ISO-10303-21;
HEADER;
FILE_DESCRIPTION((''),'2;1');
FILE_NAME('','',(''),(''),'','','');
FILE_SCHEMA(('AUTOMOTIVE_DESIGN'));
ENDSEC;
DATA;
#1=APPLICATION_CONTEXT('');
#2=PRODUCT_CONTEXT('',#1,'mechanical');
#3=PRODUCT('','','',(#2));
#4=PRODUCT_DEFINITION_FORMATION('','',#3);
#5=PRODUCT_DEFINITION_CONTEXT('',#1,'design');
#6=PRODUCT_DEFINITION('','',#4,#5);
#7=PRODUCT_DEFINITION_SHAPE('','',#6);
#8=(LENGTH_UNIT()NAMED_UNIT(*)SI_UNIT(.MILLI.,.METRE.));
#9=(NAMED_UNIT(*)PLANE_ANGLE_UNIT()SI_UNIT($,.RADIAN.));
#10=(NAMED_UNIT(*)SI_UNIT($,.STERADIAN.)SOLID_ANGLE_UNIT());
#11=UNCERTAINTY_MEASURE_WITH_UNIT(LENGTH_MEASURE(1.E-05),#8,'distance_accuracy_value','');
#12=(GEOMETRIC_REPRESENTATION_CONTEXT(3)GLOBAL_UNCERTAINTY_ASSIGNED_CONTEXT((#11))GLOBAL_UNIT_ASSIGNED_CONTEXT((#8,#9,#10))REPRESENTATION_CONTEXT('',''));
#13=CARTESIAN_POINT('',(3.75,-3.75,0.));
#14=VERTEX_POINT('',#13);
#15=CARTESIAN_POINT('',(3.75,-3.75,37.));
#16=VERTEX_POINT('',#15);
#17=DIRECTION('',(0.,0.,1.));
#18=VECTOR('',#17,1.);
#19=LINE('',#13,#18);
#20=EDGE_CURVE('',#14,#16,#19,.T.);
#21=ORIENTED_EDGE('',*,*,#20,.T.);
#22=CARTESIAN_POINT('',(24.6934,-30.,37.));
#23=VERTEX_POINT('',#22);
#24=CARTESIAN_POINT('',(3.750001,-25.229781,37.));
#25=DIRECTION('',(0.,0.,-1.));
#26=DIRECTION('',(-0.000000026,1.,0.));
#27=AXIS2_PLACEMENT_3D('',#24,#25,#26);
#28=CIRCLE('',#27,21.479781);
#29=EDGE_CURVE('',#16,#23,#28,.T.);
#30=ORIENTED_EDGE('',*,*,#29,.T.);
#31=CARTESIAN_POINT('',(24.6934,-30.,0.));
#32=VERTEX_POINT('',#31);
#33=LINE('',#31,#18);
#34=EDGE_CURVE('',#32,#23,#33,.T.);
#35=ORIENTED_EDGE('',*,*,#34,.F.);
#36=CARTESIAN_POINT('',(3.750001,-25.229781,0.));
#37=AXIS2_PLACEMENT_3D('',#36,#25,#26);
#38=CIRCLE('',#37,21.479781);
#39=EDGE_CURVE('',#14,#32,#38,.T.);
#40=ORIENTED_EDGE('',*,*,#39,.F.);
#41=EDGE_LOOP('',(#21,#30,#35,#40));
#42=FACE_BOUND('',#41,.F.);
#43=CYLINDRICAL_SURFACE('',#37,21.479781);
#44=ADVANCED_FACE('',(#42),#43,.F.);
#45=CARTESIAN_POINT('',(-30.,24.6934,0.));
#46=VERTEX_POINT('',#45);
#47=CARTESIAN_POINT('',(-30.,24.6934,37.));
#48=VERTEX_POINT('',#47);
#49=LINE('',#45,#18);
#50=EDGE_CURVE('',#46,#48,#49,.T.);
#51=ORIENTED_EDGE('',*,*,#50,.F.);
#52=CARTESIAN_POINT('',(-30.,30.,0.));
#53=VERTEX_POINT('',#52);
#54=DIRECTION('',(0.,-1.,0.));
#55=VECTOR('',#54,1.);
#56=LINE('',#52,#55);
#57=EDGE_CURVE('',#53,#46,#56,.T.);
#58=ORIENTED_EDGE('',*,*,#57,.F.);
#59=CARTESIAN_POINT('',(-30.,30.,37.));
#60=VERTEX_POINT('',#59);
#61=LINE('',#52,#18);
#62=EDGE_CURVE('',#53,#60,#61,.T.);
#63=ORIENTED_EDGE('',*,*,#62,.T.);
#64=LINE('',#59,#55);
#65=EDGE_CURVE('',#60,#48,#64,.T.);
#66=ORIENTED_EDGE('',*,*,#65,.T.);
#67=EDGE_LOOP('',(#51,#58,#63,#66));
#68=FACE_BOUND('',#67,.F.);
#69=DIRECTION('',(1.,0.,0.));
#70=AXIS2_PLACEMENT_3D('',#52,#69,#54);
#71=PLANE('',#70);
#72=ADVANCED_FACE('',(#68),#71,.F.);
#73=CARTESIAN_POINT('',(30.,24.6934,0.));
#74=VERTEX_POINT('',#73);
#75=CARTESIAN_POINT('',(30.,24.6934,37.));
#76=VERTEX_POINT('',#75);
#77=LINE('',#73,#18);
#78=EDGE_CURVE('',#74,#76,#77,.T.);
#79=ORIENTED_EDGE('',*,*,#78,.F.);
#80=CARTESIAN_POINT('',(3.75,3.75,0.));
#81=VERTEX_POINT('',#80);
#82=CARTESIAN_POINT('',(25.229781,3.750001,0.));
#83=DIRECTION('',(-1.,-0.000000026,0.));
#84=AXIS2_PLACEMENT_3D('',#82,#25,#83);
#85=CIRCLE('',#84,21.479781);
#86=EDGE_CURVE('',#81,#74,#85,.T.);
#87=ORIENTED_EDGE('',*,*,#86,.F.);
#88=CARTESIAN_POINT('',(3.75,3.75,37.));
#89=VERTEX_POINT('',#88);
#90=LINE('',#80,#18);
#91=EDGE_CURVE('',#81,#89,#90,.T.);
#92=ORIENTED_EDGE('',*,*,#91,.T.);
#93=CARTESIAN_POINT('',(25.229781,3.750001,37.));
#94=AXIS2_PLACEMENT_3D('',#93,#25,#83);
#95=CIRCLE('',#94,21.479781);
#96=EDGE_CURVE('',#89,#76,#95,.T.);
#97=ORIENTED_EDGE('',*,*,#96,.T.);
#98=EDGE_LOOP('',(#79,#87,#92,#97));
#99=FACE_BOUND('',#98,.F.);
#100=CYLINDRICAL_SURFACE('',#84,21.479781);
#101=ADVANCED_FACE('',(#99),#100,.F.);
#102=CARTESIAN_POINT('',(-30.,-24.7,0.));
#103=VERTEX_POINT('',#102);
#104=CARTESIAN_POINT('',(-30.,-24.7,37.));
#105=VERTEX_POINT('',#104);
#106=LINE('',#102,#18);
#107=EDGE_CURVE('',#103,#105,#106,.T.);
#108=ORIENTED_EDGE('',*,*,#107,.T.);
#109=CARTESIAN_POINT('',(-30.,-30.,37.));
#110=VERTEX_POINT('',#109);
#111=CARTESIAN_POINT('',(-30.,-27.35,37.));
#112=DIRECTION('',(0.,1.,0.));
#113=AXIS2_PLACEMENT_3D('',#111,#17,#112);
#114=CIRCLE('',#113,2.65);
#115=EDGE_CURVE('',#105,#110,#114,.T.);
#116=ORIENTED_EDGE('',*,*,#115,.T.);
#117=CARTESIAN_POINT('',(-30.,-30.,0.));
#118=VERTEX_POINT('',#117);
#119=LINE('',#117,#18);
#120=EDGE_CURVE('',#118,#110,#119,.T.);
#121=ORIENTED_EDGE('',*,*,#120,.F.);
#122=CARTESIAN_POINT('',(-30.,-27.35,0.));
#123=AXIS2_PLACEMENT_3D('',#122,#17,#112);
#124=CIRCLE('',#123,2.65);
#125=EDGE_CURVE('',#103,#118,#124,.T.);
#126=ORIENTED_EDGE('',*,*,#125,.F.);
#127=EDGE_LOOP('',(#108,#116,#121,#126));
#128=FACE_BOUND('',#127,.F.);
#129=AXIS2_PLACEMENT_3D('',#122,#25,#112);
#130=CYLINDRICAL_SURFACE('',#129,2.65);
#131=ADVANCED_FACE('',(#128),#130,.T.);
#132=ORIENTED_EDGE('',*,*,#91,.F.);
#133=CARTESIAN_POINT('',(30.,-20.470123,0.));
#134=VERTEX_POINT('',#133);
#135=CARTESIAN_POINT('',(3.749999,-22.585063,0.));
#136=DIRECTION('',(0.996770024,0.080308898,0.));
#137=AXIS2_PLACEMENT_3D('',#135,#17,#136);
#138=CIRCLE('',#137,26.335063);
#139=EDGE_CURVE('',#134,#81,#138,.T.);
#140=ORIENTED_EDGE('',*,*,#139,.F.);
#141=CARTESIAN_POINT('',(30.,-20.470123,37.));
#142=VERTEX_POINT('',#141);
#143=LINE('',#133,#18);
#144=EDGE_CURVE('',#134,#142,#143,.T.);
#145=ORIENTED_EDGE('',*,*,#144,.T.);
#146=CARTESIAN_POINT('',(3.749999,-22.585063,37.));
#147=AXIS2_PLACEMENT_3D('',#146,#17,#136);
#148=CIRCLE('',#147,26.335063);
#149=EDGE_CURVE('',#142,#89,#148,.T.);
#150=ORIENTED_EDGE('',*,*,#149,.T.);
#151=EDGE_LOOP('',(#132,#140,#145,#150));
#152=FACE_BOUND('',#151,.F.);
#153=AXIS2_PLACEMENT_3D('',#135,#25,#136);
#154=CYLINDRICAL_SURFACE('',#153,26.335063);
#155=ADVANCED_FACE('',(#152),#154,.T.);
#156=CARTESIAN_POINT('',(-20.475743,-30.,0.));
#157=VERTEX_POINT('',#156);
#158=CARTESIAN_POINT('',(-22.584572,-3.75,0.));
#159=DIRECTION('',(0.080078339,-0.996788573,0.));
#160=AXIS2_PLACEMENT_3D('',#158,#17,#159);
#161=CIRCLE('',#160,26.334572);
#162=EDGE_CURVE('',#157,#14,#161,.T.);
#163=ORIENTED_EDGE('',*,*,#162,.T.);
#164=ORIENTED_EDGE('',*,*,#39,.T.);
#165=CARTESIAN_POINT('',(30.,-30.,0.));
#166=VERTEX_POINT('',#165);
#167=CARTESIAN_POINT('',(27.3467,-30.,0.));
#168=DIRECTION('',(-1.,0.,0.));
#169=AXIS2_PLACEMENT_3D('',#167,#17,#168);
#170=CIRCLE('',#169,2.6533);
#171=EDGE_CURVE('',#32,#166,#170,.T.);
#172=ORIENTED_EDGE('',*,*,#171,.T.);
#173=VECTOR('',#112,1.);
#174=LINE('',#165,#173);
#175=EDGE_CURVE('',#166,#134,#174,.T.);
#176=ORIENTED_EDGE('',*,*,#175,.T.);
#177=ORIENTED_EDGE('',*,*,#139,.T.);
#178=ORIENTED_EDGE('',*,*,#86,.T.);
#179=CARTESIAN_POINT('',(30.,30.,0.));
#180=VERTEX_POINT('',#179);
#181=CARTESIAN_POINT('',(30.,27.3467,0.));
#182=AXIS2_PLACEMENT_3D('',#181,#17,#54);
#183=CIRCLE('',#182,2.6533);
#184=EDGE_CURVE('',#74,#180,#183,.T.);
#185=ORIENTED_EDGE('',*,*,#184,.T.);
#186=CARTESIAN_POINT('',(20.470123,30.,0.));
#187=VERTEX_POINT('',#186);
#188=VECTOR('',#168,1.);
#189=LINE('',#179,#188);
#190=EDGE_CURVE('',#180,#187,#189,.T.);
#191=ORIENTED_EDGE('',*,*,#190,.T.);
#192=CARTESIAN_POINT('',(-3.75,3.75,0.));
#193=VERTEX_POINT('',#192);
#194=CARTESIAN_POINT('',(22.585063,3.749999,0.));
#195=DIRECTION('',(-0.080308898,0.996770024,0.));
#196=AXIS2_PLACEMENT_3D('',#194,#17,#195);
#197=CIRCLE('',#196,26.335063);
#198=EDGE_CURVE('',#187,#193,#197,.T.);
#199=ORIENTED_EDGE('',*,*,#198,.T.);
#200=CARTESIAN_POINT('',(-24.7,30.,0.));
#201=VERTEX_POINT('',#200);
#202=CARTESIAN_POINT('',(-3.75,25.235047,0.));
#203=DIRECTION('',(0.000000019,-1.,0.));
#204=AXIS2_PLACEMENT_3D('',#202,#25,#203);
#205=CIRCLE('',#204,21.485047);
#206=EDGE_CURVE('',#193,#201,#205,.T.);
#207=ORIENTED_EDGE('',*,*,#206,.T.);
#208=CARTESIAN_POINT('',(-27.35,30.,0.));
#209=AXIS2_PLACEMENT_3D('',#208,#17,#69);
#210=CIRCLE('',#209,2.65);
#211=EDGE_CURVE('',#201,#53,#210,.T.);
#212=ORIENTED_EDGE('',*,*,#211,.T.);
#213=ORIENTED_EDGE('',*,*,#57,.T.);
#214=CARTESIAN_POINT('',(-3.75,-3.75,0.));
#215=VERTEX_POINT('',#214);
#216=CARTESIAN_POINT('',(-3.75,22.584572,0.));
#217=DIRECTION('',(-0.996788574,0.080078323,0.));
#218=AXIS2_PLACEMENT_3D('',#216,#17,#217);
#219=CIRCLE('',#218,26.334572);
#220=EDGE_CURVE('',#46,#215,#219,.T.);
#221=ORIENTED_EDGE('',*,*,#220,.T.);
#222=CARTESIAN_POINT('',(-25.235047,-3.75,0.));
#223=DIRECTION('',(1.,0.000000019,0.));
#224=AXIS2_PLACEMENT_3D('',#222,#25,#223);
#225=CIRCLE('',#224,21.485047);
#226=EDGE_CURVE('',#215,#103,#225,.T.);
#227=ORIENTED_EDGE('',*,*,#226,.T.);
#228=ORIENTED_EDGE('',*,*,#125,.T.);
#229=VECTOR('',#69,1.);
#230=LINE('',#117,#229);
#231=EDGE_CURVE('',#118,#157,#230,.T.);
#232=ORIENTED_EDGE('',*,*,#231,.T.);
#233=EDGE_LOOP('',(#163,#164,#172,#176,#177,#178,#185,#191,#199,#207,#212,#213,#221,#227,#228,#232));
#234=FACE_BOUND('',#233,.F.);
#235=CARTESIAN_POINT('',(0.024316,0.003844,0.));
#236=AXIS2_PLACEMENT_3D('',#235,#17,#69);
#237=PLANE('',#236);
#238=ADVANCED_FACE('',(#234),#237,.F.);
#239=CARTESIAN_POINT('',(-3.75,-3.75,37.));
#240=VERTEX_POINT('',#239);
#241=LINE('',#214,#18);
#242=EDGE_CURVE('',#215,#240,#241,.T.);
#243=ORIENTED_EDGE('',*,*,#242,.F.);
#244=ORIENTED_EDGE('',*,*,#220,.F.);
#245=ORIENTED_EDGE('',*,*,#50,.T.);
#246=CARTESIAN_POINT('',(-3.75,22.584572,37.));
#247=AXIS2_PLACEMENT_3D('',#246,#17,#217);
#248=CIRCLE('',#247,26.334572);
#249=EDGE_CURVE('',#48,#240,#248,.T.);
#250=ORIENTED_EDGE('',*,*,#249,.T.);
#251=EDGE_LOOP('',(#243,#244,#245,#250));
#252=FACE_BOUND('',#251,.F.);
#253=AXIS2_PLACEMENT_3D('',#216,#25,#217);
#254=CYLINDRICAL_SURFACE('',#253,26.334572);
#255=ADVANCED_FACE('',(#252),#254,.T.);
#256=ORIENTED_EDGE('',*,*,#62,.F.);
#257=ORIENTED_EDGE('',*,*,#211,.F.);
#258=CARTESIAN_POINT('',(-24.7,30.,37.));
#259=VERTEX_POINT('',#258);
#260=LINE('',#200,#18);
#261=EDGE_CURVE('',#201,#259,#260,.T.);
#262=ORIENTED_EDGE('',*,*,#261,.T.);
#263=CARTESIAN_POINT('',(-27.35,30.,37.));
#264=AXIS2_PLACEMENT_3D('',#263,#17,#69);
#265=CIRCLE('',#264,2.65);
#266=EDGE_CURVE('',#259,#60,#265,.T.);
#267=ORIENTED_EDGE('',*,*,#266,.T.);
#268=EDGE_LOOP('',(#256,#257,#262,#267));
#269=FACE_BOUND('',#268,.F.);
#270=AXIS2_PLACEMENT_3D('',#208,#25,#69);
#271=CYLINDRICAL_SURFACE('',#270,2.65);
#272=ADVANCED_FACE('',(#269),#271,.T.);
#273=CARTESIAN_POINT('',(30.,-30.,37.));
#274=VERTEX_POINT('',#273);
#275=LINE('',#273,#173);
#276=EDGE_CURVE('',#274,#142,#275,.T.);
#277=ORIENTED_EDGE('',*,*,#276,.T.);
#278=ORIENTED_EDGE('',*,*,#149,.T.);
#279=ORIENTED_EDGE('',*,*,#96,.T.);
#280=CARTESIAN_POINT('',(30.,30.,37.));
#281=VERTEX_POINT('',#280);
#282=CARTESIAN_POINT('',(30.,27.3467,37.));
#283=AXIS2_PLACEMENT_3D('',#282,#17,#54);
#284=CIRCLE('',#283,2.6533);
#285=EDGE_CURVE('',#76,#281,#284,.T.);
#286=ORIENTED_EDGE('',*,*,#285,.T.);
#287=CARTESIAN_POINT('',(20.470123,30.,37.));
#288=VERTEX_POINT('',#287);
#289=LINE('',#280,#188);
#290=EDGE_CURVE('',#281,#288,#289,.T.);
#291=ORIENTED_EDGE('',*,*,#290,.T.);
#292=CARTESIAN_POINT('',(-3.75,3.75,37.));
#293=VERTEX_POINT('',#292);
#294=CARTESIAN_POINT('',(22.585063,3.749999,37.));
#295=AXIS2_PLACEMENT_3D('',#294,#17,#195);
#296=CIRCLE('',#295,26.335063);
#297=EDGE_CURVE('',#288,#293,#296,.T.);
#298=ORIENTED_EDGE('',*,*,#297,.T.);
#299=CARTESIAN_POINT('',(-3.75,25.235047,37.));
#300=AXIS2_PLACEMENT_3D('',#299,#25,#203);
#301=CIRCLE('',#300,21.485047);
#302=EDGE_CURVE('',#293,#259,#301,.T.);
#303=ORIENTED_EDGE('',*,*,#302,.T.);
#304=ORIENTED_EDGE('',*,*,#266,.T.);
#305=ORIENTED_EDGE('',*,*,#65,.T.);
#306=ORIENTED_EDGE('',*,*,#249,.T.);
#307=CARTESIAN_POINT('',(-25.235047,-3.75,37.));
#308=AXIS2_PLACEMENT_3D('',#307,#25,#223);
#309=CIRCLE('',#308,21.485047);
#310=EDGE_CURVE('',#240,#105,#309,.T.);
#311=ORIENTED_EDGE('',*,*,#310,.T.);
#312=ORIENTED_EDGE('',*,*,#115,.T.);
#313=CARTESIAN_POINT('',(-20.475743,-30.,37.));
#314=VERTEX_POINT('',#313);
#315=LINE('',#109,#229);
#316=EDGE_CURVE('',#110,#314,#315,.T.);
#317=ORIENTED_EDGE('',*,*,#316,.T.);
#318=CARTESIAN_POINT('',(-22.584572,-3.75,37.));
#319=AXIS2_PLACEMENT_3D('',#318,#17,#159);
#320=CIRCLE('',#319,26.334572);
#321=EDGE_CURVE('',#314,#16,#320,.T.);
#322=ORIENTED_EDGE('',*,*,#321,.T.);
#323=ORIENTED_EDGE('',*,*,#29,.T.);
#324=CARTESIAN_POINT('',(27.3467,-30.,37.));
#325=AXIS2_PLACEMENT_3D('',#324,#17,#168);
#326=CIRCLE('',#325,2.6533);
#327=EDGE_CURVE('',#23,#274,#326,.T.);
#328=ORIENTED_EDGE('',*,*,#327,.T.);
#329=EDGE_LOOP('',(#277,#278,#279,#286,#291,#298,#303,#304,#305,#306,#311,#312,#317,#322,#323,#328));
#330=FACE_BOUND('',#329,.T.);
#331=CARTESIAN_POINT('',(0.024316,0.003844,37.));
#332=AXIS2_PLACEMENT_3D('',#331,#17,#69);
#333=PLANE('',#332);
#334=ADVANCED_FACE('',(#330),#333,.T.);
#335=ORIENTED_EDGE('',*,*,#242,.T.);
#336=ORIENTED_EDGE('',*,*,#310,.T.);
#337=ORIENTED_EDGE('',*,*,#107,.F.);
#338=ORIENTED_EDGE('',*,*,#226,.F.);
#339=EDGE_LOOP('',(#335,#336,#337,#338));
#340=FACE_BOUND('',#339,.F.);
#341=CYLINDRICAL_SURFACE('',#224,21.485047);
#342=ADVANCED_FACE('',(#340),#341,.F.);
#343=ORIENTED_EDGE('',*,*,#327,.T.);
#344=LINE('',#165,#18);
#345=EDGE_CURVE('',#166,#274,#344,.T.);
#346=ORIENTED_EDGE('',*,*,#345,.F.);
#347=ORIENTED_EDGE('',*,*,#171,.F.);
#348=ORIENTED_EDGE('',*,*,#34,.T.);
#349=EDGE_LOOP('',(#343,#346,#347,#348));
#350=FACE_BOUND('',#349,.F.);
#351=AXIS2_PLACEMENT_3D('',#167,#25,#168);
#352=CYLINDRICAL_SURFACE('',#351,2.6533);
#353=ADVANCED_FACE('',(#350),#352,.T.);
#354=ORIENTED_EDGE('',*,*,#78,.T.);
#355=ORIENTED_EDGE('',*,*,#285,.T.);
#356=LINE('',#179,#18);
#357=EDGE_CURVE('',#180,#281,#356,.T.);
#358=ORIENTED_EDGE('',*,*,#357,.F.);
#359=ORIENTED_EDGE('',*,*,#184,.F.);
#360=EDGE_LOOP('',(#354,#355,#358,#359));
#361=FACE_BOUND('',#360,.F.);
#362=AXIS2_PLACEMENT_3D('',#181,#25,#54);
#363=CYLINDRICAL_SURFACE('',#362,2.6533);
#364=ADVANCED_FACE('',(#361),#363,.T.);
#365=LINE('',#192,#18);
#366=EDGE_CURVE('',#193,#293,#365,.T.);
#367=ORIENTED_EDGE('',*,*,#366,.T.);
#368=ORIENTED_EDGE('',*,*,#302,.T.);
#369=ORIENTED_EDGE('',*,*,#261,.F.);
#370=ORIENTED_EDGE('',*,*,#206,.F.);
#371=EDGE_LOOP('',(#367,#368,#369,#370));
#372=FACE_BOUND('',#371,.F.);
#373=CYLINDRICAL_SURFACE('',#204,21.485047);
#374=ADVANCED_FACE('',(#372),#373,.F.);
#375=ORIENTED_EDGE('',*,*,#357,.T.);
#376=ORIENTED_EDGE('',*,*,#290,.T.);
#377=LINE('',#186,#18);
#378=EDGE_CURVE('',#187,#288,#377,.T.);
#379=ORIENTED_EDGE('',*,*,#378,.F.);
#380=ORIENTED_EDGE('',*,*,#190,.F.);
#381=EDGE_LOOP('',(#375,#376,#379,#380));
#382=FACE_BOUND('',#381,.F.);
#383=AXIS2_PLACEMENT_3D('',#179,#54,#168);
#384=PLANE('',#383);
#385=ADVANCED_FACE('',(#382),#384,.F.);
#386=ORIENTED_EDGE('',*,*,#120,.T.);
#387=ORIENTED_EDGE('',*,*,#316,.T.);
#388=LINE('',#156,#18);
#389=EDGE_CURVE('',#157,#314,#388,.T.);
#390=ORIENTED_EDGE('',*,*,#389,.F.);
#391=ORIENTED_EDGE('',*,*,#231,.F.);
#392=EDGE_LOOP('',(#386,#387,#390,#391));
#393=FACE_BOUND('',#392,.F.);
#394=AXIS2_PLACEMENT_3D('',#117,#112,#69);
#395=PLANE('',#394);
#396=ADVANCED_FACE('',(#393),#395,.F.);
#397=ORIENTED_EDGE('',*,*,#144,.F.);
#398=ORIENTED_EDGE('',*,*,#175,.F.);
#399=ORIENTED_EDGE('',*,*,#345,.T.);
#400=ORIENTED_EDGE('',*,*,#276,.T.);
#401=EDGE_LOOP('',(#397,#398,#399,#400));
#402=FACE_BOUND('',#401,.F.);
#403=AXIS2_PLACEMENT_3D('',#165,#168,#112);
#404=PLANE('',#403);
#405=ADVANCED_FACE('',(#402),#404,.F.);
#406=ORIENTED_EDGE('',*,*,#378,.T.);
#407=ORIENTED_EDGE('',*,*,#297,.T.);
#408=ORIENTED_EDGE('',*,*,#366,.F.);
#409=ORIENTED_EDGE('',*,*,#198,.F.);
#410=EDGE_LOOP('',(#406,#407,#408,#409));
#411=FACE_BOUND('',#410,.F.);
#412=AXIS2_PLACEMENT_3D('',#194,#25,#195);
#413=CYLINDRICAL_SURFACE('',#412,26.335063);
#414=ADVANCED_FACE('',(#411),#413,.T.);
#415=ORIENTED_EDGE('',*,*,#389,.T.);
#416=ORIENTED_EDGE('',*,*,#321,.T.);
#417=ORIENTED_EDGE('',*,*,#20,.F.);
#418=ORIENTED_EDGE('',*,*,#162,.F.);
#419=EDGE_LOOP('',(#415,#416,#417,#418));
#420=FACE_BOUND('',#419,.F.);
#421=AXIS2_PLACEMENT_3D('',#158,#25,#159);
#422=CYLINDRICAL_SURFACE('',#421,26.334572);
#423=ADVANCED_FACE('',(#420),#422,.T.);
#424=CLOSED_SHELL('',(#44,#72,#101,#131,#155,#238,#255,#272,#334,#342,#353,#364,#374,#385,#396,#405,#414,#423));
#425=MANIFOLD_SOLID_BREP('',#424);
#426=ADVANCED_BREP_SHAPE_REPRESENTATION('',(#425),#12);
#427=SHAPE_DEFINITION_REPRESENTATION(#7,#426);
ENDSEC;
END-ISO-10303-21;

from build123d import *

# Parameters (mm, degrees)
F1_DEPTH = 37


with BuildPart() as f1:
    # F0 (on Top) → F1 (new body)
    with BuildSketch(Plane.XY):
        with BuildLine():
            Line((24.7, 30), (20.470123, 30))
            ThreePointArc((20.470123, 30), (3.230056, 21.608309), (-3.75, 3.75))
            ThreePointArc((-3.75, 3.75), (-20.542595, 11.832957), (-24.7, 30))
            ThreePointArc((-24.7, 30), (-27.35, 32.65), (-30, 30))
            Line((-30, 30), (-30, 24.6934))
            ThreePointArc((-30, 24.6934), (-23.102581, 4.724357), (-3.75, -3.75))
            ThreePointArc((-3.75, -3.75), (-11.832957, -20.542595), (-30, -24.7))
            ThreePointArc((-30, -24.7), (-32.65, -27.35), (-30, -30))
            Line((-30, -30), (-24.6934, -30))
            Line((-24.6934, -30), (-20.475743, -30))
            ThreePointArc((-20.475743, -30), (-3.231991, -21.610215), (3.75, -3.75))
            ThreePointArc((3.75, -3.75), (20.540537, -11.833555), (24.6934, -30))
            ThreePointArc((24.6934, -30), (27.3467, -32.6533), (30, -30))
            Line((30, -30), (30, -24.7))
            Line((30, -24.7), (30, -20.470123))
            ThreePointArc((30, -20.470123), (21.608309, -3.230056), (3.75, 3.75))
            ThreePointArc((3.75, 3.75), (11.833555, 20.540537), (30, 24.6934))
            ThreePointArc((30, 24.6934), (32.6533, 27.3467), (30, 30))
            Line((30, 30), (24.7, 30))
        make_face()
    extrude(amount=F1_DEPTH)


solid = f1.part
